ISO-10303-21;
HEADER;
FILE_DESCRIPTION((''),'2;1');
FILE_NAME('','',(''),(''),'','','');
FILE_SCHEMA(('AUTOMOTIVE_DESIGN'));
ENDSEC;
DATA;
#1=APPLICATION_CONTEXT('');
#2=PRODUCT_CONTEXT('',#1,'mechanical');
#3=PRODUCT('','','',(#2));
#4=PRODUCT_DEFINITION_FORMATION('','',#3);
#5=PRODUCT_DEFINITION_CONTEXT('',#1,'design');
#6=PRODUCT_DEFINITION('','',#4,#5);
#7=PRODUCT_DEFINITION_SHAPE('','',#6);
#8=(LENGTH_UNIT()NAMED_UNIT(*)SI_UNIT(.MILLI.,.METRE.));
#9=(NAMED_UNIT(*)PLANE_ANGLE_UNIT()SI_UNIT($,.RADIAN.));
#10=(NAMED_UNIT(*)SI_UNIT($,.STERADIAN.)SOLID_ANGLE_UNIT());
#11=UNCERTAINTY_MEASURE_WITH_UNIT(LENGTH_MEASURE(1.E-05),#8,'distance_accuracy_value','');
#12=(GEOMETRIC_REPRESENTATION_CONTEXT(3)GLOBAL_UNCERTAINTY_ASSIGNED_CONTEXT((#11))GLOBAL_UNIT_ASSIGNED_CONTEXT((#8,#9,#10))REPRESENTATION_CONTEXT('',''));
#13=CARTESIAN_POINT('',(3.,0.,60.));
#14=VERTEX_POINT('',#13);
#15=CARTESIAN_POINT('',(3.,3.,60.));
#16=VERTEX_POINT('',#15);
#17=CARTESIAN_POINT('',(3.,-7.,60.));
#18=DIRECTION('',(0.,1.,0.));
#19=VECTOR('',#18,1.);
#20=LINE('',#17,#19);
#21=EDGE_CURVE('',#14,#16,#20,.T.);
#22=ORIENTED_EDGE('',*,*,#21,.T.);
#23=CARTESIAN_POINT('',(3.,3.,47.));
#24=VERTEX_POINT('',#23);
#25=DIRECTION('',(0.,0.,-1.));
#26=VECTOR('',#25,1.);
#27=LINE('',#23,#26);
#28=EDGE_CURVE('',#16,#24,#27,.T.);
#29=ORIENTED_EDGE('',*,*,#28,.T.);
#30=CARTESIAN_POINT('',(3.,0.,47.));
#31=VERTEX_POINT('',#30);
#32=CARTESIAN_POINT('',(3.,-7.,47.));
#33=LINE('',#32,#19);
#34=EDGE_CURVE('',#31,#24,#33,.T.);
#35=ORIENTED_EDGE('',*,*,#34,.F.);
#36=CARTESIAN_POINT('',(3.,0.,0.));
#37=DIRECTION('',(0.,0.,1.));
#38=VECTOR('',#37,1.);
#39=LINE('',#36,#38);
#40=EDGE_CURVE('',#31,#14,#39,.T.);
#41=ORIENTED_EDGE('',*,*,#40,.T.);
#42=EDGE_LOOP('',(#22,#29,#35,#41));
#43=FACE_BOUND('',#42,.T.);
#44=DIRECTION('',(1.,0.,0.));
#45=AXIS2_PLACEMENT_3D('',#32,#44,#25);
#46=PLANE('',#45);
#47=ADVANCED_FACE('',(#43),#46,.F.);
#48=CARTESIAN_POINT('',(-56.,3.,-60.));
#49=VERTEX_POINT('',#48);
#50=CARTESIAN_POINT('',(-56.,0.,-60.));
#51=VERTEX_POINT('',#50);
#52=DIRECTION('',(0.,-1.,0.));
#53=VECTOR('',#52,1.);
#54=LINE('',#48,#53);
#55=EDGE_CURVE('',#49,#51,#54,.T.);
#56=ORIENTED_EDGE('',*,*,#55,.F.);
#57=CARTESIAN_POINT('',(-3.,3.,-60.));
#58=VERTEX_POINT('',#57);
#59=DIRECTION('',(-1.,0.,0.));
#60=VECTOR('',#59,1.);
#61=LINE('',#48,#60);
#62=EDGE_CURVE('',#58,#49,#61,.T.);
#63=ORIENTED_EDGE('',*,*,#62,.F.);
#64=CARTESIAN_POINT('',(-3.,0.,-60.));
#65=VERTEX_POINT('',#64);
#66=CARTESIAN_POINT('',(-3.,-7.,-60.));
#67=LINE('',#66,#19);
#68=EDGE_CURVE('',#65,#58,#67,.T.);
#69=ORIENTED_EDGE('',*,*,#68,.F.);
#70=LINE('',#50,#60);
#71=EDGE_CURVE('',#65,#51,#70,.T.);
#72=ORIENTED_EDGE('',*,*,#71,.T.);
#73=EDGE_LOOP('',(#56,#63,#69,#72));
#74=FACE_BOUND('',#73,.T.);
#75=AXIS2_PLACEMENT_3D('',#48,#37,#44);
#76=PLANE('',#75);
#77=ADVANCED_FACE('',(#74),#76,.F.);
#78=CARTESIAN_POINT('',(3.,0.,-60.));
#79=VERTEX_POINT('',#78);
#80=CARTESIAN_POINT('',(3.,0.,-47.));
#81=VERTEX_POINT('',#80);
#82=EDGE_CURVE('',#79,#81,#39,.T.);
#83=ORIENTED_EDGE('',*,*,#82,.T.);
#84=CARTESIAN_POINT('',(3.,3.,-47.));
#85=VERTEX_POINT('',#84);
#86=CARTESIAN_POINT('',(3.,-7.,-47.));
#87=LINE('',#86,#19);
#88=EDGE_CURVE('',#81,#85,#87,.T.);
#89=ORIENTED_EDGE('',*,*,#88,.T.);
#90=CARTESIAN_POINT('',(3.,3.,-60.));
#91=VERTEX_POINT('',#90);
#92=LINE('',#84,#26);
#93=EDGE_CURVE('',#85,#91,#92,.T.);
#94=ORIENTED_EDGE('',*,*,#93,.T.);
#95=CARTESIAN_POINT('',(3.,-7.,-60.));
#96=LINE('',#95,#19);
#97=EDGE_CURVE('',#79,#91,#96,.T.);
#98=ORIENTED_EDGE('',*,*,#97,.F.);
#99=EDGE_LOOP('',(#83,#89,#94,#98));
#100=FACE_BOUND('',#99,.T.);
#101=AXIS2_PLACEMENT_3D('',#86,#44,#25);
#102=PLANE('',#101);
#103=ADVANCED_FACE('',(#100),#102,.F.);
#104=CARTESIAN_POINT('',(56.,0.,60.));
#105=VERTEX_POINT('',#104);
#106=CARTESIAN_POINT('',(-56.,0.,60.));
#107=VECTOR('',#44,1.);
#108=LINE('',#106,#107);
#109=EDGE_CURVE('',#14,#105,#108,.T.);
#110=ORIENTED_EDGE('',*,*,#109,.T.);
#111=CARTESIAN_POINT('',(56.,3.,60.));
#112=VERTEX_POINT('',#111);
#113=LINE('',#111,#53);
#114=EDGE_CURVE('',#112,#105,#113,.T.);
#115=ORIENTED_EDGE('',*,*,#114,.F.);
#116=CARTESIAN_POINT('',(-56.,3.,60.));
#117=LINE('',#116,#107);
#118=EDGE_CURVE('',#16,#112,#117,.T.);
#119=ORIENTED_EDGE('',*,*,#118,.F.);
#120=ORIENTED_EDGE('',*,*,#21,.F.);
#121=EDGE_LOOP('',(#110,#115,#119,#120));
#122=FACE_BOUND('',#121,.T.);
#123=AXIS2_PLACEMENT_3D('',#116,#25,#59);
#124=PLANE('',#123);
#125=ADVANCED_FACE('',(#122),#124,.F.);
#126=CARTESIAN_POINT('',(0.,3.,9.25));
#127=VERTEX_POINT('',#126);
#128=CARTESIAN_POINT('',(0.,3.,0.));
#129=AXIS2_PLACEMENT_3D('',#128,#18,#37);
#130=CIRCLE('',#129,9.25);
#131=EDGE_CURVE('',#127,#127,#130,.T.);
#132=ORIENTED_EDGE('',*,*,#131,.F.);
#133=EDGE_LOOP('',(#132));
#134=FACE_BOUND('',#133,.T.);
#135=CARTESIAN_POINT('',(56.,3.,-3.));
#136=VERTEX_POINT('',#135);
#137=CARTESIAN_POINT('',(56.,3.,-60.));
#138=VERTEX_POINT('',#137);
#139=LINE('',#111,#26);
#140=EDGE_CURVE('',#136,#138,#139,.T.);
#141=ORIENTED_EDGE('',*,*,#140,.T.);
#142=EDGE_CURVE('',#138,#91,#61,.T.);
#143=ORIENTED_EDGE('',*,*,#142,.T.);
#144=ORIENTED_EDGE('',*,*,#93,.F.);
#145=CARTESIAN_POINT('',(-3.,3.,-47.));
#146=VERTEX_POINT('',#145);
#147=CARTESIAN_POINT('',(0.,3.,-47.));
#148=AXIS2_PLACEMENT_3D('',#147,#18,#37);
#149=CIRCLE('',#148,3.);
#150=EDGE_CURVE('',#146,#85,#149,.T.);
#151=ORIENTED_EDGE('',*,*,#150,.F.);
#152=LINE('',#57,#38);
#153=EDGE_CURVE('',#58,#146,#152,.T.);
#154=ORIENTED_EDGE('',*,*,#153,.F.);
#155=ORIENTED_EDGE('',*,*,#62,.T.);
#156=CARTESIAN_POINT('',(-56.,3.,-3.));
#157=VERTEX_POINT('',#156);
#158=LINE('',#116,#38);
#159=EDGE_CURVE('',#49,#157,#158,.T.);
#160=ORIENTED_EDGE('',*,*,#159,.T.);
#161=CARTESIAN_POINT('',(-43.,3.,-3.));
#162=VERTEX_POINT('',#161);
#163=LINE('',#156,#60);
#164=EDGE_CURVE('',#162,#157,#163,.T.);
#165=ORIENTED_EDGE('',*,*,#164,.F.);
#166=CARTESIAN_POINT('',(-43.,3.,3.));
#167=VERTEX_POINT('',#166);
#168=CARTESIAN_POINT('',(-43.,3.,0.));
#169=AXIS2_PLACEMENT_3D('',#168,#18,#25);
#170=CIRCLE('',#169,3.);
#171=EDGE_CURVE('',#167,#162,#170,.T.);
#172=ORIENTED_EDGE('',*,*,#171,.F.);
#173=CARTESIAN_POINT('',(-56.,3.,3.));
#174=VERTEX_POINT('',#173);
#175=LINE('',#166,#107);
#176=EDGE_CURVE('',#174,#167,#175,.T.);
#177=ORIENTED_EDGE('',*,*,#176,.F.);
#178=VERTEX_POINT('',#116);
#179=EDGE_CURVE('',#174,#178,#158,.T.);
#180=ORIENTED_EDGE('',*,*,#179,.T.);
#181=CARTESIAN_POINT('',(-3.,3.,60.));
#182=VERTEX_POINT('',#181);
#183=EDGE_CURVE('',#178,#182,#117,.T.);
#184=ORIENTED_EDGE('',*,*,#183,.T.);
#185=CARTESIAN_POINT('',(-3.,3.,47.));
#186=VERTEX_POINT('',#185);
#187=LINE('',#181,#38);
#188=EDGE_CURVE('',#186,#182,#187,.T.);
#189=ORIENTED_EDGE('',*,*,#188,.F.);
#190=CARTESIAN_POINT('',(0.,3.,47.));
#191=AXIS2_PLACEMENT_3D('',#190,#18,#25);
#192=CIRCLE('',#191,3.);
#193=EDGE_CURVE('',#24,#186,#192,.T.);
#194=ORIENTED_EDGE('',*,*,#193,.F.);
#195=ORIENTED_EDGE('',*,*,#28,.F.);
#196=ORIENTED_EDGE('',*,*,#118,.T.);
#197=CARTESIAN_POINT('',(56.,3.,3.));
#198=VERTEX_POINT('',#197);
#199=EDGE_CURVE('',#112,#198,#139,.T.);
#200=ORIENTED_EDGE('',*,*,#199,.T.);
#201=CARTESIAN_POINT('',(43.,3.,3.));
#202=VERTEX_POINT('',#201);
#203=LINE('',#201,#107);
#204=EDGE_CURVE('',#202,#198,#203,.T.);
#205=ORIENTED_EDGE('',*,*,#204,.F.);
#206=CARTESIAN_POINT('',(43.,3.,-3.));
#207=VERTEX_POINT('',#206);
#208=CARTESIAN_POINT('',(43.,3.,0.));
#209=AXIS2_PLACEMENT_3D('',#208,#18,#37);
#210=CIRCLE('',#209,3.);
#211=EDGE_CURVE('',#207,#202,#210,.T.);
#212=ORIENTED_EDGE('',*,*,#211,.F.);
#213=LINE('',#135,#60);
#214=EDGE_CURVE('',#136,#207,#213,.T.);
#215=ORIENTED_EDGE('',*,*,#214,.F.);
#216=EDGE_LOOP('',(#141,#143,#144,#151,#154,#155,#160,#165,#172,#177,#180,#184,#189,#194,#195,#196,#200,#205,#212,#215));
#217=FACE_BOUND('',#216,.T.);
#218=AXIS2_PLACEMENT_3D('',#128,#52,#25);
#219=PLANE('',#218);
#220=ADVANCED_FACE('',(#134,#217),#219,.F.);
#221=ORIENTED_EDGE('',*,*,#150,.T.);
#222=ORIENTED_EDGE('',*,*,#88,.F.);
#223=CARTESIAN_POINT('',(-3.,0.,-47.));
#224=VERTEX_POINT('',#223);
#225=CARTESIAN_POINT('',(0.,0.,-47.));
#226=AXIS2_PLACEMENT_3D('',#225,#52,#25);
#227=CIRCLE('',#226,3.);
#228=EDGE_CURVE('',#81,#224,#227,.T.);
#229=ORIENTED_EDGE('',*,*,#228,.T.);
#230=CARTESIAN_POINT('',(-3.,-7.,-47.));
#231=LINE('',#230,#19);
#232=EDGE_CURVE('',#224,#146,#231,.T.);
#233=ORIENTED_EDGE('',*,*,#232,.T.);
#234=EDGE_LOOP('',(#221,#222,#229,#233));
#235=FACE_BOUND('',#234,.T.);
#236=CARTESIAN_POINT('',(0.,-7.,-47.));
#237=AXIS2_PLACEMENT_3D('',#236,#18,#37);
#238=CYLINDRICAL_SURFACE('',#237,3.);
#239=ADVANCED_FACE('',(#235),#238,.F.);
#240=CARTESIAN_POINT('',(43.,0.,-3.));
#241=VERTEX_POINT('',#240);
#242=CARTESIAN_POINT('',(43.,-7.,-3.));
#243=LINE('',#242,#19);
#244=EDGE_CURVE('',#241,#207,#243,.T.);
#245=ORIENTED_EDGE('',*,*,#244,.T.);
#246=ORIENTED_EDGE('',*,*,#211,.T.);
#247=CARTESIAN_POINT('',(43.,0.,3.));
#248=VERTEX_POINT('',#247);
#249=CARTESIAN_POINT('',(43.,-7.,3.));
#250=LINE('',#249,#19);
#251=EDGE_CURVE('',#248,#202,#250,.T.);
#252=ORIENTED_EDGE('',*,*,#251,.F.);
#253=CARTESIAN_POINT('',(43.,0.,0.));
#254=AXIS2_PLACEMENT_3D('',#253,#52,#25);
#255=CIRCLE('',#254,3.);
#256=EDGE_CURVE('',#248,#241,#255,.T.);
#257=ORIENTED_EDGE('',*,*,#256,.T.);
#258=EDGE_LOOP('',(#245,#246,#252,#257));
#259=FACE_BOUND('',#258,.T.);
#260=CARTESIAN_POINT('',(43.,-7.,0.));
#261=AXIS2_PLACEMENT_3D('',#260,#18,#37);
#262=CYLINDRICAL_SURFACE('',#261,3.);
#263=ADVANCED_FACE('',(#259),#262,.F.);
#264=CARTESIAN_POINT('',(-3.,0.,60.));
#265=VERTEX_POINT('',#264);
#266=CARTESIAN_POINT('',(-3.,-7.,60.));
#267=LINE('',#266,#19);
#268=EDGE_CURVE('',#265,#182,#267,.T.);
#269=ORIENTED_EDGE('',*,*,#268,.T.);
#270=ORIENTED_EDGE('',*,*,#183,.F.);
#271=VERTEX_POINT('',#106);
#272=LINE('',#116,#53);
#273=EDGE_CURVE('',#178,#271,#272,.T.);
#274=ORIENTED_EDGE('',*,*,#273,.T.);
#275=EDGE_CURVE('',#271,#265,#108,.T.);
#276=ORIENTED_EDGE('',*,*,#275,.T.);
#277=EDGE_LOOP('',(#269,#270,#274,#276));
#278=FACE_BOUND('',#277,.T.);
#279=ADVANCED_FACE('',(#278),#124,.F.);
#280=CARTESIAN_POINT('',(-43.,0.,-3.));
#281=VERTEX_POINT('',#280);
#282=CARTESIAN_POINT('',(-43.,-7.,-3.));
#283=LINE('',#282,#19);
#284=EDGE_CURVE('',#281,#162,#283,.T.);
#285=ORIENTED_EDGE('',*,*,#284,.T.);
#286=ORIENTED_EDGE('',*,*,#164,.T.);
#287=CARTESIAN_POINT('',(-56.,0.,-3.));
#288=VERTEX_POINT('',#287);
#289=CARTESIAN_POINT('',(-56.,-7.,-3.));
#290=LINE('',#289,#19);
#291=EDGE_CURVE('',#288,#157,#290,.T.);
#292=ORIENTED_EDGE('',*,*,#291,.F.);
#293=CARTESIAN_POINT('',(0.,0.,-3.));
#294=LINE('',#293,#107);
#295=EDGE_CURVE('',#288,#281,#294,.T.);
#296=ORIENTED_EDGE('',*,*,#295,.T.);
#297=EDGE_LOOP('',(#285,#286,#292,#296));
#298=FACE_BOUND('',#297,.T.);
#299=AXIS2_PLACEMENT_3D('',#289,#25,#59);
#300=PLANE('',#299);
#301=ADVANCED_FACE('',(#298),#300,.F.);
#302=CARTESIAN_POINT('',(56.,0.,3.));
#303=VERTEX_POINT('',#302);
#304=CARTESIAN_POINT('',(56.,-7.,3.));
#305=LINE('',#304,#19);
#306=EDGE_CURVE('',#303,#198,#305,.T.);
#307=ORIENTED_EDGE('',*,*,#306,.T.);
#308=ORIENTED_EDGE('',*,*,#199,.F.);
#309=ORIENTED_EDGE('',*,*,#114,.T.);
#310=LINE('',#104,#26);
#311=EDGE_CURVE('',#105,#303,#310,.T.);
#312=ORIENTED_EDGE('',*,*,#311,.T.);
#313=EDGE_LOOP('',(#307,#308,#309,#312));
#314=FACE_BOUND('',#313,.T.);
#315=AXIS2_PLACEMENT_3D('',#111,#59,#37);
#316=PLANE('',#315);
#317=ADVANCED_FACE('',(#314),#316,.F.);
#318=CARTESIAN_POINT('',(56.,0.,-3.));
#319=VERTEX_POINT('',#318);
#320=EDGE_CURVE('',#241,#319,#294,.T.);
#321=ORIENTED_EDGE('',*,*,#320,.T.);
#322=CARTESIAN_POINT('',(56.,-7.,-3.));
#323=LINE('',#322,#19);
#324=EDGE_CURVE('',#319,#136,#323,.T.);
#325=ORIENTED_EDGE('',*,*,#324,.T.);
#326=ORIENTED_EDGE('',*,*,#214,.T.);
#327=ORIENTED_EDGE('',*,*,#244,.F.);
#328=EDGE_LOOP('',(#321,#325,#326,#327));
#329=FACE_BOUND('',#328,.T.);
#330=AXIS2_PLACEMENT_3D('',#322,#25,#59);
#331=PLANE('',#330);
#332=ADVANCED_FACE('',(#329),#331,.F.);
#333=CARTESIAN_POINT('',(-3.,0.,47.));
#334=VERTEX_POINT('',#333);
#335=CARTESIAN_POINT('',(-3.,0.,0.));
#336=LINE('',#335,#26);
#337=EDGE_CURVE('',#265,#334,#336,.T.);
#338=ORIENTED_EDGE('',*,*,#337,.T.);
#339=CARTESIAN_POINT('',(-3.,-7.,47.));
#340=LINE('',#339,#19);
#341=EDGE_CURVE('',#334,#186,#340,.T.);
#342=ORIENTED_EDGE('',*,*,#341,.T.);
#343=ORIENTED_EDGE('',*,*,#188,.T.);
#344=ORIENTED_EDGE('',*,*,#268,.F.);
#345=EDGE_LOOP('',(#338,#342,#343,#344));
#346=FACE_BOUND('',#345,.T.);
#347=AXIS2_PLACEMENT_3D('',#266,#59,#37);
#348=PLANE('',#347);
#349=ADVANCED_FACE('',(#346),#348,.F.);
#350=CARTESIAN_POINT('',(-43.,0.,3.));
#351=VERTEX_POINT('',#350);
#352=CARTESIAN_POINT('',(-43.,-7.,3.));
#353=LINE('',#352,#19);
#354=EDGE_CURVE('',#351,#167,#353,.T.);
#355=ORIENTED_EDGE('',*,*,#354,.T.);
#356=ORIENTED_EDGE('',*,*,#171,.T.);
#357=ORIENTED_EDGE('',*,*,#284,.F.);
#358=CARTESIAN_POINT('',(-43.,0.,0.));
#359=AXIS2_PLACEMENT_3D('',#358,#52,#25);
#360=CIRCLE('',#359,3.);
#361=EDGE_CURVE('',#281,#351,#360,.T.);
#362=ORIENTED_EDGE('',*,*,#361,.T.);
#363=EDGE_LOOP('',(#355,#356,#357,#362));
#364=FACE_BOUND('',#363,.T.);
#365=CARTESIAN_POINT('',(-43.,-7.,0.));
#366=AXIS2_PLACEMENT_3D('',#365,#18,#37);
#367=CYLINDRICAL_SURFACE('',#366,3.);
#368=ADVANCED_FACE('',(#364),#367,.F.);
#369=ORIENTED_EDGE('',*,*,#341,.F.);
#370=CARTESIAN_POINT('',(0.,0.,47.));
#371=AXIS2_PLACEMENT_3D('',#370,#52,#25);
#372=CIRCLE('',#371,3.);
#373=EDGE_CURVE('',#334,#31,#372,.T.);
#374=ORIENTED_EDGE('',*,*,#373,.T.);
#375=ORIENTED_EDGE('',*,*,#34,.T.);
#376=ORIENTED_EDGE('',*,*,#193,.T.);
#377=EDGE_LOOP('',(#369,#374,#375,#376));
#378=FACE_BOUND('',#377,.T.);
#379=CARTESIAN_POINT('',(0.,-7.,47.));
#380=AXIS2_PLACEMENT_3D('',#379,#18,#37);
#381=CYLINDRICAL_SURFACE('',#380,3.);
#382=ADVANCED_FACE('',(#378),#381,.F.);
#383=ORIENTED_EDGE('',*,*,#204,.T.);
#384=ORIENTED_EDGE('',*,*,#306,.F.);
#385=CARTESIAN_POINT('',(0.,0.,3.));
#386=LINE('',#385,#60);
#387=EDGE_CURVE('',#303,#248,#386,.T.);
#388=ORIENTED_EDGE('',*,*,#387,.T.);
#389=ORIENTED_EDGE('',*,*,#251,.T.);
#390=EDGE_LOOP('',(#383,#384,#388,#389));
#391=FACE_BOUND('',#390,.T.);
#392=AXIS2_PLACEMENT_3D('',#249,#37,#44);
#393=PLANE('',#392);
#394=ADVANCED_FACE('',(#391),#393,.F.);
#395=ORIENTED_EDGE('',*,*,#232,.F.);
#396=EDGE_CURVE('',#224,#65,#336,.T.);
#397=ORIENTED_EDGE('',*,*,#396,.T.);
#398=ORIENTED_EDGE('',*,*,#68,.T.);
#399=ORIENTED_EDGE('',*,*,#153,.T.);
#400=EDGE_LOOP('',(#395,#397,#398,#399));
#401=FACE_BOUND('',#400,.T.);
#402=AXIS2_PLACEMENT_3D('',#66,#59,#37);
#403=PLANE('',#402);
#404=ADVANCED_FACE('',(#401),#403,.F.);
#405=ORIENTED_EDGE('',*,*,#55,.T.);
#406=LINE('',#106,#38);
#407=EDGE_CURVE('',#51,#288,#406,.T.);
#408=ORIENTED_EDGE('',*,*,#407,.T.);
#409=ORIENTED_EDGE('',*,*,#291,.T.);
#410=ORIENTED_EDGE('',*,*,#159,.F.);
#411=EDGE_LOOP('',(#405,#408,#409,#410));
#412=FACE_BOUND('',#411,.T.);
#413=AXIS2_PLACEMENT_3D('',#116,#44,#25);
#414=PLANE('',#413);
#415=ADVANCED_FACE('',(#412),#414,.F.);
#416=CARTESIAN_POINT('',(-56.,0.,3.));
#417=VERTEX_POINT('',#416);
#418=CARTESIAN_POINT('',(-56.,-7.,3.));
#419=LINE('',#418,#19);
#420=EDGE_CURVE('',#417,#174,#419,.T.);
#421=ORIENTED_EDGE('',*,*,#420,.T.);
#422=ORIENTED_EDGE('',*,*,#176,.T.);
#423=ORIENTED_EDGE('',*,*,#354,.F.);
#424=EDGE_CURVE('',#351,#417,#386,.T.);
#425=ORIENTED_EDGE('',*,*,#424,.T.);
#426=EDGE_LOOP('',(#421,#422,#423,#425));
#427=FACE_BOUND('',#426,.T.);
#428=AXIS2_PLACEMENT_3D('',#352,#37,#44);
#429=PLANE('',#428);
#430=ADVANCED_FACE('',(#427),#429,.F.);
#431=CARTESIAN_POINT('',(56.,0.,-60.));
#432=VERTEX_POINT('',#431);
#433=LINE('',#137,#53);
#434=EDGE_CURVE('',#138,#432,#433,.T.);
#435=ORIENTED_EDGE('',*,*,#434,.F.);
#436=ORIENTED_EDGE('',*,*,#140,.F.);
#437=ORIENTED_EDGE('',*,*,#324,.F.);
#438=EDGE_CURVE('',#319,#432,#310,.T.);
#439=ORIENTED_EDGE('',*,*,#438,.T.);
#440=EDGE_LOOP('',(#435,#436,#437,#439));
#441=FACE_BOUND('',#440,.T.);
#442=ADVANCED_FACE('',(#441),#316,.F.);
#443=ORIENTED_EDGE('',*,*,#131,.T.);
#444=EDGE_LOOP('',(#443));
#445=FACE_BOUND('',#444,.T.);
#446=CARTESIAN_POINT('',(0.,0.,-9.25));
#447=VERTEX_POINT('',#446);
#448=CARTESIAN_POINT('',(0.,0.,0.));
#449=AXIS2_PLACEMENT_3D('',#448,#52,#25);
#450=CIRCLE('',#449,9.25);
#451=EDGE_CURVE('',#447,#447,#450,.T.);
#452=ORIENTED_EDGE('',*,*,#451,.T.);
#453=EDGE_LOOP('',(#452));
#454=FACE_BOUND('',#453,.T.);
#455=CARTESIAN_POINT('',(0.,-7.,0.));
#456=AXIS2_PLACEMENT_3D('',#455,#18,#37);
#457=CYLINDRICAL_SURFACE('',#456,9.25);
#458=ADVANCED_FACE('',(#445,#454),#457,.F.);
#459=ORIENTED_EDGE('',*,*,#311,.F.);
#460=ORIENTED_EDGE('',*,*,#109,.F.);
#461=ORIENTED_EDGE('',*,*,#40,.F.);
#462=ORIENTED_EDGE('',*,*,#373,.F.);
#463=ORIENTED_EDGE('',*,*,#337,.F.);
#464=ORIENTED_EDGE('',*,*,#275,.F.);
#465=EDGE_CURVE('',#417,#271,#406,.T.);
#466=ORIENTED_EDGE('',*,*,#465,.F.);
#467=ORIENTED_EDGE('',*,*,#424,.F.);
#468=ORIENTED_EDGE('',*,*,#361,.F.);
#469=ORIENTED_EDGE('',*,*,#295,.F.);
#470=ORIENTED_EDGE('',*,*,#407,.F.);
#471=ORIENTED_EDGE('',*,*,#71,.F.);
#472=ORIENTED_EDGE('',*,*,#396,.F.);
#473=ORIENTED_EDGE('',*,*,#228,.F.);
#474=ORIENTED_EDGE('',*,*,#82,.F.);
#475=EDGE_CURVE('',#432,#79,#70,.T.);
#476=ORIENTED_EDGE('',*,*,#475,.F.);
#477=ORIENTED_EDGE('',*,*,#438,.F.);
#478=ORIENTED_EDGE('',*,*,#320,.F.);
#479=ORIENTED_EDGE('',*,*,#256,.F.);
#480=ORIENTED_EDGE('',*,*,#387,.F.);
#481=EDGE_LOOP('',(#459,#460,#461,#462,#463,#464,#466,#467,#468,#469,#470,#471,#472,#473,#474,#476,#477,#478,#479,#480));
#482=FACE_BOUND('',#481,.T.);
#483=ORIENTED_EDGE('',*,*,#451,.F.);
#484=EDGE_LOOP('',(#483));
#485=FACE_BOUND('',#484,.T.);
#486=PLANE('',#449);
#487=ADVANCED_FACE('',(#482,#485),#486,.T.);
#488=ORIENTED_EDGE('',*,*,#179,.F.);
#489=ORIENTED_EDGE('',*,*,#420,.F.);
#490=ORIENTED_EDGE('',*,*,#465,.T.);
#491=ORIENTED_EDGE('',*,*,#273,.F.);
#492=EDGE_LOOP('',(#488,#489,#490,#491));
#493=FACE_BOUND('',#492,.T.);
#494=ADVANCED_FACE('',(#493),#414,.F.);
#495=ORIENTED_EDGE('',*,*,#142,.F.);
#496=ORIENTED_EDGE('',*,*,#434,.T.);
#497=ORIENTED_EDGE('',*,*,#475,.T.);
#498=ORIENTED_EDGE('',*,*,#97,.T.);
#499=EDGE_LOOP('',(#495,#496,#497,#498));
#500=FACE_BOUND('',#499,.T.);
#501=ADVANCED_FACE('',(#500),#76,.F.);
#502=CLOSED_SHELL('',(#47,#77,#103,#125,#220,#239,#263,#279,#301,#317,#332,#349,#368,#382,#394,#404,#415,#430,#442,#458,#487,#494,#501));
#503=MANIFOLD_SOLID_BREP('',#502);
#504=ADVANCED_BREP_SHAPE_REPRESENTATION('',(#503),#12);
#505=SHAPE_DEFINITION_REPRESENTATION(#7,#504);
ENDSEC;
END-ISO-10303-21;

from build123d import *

# Parameters (mm, degrees)
SKETCH1_W           = 112
SKETCH1_H           = 120
BOSS_EXTRUDE1_DEPTH = 3
SKETCH2_R           = 9.25
CUT_EXTRUDE1_DEPTH  = 10
CUT_EXTRUDE2_DEPTH  = 10


with BuildPart() as part:
    # Sketch1 → Boss-Extrude1 (new body)
    with BuildSketch(Plane(origin=(0, 0, 0), x_dir=(1, 0, 0), z_dir=(0, 1, 0))):
        Rectangle(SKETCH1_W, SKETCH1_H)
    extrude(amount=BOSS_EXTRUDE1_DEPTH)

    # Sketch2 → Cut-Extrude1 (cut)
    with BuildSketch(Plane(origin=(0, 3, 0), x_dir=(1, 0, 0), z_dir=(0, 1, 0))):
        Circle(SKETCH2_R)
    extrude(amount=-CUT_EXTRUDE1_DEPTH, mode=Mode.SUBTRACT)

    # Sketch3 → Cut-Extrude2 (cut)
    with BuildSketch(Plane(origin=(0, 3, 0), x_dir=(1, 0, 0), z_dir=(0, 1, 0))):
        with BuildLine():
            Line((-3, -60), (-3, -47))
            ThreePointArc((-3, -47), (0, -44), (3, -47))
            Line((3, -47), (3, -60))
            Line((3, -60), (-3, -60))
        make_face()
        with BuildLine():
            Line((-3, 60), (3, 60))
            Line((3, 60), (3, 47))
            ThreePointArc((3, 47), (0, 44), (-3, 47))
            Line((-3, 47), (-3, 60))
        make_face()
        with BuildLine():
            Line((56, 3), (43, 3))
            ThreePointArc((43, 3), (40, 0), (43, -3))
            Line((43, -3), (56, -3))
            Line((56, -3), (56, 3))
        make_face()
        with BuildLine():
            Line((-43, -3), (-56, -3))
            Line((-56, -3), (-56, 3))
            Line((-56, 3), (-43, 3))
            ThreePointArc((-43, 3), (-40, 0), (-43, -3))
        make_face()
    extrude(amount=-CUT_EXTRUDE2_DEPTH, mode=Mode.SUBTRACT)


solid = part.part
